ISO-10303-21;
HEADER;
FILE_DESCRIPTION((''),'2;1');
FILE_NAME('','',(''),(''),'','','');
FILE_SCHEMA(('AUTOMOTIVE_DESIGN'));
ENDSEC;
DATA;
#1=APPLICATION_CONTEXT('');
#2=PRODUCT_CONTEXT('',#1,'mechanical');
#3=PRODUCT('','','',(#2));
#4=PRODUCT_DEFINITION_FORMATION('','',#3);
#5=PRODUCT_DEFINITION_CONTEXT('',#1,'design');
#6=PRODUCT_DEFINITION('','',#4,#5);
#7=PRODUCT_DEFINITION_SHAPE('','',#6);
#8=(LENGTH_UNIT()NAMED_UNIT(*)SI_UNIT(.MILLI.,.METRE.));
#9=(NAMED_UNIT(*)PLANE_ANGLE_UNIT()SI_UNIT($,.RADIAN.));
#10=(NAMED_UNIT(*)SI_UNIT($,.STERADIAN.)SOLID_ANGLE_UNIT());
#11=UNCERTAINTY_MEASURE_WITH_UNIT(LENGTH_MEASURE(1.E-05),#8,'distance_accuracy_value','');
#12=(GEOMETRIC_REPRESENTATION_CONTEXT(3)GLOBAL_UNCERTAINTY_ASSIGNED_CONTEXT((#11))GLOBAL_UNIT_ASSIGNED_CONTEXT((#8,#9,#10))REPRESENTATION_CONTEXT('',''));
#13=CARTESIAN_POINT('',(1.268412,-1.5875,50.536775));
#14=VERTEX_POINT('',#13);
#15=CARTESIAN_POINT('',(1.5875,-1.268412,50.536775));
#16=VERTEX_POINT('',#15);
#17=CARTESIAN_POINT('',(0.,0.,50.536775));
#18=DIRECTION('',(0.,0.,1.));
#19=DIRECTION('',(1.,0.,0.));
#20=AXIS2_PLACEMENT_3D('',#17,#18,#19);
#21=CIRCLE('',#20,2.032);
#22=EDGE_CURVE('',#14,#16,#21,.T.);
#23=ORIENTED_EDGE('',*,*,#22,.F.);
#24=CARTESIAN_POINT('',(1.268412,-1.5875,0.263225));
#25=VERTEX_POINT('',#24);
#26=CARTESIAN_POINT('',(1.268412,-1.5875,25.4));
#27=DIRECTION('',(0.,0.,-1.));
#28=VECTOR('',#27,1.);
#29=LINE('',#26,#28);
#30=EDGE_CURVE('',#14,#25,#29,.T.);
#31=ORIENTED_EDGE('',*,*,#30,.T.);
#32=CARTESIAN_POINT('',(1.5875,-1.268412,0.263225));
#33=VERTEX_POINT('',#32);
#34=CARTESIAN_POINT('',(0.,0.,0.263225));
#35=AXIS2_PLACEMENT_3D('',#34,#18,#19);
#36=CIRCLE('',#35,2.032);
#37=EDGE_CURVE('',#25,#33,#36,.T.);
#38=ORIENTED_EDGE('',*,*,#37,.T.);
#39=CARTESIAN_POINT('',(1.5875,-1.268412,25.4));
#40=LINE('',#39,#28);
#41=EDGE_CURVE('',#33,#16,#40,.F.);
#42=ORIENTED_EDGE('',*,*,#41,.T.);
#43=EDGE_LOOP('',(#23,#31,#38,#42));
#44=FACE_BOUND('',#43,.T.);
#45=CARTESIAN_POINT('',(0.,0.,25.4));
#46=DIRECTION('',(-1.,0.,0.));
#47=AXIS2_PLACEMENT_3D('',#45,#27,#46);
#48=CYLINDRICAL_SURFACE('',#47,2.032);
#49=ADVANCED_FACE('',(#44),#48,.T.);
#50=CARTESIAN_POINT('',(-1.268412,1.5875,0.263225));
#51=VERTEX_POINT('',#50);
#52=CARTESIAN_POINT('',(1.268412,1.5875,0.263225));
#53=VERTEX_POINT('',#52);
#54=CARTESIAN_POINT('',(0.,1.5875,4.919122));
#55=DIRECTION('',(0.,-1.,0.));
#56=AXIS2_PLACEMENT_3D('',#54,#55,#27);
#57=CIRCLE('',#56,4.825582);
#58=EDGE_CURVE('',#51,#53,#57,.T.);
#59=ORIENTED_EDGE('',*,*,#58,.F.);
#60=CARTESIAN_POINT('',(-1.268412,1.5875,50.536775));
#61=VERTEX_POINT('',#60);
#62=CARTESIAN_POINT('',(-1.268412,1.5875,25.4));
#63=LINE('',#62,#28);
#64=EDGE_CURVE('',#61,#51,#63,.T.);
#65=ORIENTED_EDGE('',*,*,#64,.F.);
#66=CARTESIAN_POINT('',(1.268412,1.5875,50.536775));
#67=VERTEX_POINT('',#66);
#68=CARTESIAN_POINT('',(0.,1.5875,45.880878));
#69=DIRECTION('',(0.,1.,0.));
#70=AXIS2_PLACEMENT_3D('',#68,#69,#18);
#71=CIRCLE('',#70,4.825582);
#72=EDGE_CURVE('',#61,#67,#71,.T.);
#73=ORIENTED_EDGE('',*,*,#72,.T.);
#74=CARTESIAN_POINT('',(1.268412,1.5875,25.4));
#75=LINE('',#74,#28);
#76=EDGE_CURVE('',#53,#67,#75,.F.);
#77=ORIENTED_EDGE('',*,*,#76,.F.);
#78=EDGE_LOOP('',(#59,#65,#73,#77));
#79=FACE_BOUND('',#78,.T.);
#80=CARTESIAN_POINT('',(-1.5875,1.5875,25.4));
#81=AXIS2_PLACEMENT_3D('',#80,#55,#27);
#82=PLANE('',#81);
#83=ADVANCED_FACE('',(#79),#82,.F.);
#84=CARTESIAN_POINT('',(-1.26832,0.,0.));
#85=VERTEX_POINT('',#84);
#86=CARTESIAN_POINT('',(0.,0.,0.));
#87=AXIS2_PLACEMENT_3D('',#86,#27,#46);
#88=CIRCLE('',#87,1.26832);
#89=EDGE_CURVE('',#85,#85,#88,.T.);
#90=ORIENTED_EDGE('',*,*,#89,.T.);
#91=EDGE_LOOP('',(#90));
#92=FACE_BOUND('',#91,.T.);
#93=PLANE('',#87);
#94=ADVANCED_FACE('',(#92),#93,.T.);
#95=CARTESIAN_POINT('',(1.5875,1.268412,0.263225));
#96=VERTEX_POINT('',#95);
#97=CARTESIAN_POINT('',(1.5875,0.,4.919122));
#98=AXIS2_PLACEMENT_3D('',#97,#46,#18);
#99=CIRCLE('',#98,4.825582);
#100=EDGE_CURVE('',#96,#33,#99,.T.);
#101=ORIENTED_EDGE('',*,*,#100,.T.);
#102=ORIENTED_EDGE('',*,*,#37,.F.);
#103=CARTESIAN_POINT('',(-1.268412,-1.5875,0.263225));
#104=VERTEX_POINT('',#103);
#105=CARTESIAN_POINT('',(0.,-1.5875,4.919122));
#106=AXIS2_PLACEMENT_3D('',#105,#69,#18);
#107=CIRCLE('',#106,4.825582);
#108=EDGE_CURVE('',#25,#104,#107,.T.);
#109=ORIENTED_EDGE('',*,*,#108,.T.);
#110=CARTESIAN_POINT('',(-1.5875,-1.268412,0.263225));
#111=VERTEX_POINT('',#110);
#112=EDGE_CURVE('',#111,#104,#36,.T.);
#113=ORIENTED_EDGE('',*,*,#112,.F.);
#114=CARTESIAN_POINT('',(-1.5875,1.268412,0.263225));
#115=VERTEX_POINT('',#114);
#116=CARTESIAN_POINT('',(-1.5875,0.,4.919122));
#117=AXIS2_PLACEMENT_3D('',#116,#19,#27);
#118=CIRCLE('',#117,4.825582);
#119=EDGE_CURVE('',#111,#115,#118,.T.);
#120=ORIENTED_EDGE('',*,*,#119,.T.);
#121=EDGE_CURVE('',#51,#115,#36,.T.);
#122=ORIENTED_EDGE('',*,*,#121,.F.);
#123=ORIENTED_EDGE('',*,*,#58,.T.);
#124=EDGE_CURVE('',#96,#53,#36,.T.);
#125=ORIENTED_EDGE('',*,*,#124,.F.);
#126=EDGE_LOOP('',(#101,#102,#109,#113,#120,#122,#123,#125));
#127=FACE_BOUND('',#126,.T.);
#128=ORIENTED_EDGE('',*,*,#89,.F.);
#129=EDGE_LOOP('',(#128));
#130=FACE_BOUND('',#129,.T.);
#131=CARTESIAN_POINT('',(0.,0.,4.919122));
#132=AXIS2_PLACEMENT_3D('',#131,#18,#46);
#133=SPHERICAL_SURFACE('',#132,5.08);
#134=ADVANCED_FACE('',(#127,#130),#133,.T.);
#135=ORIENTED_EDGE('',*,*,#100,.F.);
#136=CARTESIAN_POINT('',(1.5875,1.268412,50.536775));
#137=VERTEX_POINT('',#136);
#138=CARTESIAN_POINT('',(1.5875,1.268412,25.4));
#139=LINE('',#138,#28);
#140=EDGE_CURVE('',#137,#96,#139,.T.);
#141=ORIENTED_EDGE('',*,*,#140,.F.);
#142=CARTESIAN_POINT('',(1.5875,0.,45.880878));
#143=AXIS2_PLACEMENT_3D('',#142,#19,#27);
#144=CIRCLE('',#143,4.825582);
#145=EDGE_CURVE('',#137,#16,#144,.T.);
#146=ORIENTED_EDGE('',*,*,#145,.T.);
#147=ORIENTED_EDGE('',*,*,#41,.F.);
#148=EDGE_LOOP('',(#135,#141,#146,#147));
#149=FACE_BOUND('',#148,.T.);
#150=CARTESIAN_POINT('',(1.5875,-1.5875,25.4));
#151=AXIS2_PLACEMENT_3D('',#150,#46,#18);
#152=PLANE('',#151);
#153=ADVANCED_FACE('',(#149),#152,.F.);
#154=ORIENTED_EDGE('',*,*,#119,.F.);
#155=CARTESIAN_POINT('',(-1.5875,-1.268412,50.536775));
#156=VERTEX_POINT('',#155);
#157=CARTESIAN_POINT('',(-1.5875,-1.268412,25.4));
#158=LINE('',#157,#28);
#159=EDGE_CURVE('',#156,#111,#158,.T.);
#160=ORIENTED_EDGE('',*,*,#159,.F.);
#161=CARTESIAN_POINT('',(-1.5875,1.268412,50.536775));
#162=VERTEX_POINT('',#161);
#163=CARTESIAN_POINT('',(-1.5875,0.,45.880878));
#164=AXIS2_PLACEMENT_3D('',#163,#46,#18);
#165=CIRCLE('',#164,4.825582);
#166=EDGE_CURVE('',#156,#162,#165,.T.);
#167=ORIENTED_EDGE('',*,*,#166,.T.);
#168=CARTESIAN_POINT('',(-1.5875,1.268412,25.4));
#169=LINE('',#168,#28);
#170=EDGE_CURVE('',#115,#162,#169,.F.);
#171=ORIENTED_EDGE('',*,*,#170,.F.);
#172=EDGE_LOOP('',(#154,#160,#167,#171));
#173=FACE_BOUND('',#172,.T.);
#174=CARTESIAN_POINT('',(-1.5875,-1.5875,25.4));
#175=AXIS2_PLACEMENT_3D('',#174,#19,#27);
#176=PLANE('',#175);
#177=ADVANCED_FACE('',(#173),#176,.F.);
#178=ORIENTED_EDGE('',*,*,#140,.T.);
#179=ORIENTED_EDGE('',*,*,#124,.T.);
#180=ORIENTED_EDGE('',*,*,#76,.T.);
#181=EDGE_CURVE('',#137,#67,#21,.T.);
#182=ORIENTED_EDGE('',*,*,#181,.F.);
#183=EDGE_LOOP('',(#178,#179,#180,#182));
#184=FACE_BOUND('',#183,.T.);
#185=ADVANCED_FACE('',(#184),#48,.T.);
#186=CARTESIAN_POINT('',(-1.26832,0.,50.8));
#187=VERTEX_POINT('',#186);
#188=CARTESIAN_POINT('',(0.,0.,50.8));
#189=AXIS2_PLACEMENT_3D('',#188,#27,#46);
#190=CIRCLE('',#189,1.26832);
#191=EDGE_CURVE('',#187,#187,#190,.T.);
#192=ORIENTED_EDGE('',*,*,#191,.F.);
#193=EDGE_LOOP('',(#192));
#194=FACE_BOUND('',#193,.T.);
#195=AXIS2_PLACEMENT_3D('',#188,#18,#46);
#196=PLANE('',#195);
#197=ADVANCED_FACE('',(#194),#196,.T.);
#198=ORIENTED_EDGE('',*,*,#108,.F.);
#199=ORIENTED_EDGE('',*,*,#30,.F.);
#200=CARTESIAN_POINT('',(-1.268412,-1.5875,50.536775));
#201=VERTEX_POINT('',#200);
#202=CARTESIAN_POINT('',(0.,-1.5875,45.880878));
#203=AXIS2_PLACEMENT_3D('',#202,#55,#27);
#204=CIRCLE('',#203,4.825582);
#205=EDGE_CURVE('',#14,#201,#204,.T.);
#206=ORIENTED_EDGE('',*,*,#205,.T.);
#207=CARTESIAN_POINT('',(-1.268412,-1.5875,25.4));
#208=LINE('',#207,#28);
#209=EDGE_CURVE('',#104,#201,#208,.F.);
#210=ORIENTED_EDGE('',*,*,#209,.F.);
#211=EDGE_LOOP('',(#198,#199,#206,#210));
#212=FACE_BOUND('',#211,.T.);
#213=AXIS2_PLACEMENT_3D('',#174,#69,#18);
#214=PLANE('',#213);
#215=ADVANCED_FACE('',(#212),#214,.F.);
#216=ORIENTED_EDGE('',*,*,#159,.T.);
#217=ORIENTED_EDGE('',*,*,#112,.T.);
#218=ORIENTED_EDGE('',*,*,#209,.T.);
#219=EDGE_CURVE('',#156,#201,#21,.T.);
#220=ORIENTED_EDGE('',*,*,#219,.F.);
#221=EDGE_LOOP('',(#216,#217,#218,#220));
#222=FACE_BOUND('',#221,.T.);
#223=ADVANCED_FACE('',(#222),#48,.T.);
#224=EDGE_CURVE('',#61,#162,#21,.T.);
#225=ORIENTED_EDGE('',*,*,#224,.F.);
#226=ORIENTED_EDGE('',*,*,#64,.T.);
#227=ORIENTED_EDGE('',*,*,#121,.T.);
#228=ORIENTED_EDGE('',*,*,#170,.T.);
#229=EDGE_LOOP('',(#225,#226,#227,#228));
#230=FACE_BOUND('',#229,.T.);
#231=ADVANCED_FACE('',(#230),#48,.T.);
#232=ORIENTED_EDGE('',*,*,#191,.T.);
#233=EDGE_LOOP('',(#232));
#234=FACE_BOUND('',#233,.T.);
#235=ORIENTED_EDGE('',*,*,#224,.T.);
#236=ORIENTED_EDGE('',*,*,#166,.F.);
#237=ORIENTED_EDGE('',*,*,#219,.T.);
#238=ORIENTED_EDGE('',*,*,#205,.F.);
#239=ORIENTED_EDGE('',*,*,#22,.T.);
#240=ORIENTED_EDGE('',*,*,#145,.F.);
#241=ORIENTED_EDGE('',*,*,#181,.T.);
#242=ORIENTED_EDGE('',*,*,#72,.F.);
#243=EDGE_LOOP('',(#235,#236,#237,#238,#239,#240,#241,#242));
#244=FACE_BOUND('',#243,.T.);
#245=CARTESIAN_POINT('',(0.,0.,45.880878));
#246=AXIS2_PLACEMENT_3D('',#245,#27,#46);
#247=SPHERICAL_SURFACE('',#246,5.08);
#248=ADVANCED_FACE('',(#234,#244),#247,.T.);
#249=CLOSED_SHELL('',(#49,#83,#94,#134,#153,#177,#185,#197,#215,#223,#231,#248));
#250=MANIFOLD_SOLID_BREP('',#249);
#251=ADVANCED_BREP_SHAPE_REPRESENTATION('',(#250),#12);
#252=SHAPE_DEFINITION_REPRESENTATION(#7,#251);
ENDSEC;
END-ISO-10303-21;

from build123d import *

# Parameters (mm, degrees)
SKETCH1_W           = 3.175
SKETCH1_H           = 3.175
BOSS_EXTRUDE1_DEPTH = 25.4
SKETCH2_OUTSIDE_W   = 10.334
SKETCH2_OUTSIDE_H   = 10.334
SKETCH2_OUTSIDE_R   = 2.032
CUT_EXTRUDE1_DEPTH  = 26.4


with BuildPart() as part:
    # Sketch1 → Boss-Extrude1 (new body)
    with BuildSketch(Plane.XY):
        Rectangle(SKETCH1_W, SKETCH1_H)
    extrude(amount=BOSS_EXTRUDE1_DEPTH)

    # Sketch2 outside → Cut-Extrude1 (cut, through all)
    with BuildSketch(Plane(origin=(0, 0, 0), x_dir=(-1, 0, 0), z_dir=(0, 0, -1))):
        Rectangle(SKETCH2_OUTSIDE_W, SKETCH2_OUTSIDE_H)
        Circle(SKETCH2_OUTSIDE_R, mode=Mode.SUBTRACT)
    extrude(amount=-CUT_EXTRUDE1_DEPTH, mode=Mode.SUBTRACT)

    # Sketch3 → Cut-Revolve1 (revolve, cut)
    with BuildSketch(Plane(origin=(0, 0, 0), x_dir=(1, 0, 0), z_dir=(0, 1, 0))):
        with BuildLine():
            Line((-5.053685963, -4.40273269), (-5.053685963, 5.740530545))
            Line((-5.053685963, 5.740530545), (0, 5.740530545))
            Line((0, 5.740530545), (0, 0.160877736))
            ThreePointArc((0, 0.160877736), (-3.404639553, -1.148866368), (-5.053685963, -4.40273269))
        make_face()
    revolve(axis=Axis((0, 0, 25.4), (0, 0, -1)), mode=Mode.SUBTRACT)

    # Mirror1: part across plane


with BuildPart() as part_1:
    add(part.part)
    add(part.part.mirror(Plane(origin=(0, 0, 25.4), x_dir=(1, 0, 0), z_dir=(0, 0, -1))))


solid = part_1.part
